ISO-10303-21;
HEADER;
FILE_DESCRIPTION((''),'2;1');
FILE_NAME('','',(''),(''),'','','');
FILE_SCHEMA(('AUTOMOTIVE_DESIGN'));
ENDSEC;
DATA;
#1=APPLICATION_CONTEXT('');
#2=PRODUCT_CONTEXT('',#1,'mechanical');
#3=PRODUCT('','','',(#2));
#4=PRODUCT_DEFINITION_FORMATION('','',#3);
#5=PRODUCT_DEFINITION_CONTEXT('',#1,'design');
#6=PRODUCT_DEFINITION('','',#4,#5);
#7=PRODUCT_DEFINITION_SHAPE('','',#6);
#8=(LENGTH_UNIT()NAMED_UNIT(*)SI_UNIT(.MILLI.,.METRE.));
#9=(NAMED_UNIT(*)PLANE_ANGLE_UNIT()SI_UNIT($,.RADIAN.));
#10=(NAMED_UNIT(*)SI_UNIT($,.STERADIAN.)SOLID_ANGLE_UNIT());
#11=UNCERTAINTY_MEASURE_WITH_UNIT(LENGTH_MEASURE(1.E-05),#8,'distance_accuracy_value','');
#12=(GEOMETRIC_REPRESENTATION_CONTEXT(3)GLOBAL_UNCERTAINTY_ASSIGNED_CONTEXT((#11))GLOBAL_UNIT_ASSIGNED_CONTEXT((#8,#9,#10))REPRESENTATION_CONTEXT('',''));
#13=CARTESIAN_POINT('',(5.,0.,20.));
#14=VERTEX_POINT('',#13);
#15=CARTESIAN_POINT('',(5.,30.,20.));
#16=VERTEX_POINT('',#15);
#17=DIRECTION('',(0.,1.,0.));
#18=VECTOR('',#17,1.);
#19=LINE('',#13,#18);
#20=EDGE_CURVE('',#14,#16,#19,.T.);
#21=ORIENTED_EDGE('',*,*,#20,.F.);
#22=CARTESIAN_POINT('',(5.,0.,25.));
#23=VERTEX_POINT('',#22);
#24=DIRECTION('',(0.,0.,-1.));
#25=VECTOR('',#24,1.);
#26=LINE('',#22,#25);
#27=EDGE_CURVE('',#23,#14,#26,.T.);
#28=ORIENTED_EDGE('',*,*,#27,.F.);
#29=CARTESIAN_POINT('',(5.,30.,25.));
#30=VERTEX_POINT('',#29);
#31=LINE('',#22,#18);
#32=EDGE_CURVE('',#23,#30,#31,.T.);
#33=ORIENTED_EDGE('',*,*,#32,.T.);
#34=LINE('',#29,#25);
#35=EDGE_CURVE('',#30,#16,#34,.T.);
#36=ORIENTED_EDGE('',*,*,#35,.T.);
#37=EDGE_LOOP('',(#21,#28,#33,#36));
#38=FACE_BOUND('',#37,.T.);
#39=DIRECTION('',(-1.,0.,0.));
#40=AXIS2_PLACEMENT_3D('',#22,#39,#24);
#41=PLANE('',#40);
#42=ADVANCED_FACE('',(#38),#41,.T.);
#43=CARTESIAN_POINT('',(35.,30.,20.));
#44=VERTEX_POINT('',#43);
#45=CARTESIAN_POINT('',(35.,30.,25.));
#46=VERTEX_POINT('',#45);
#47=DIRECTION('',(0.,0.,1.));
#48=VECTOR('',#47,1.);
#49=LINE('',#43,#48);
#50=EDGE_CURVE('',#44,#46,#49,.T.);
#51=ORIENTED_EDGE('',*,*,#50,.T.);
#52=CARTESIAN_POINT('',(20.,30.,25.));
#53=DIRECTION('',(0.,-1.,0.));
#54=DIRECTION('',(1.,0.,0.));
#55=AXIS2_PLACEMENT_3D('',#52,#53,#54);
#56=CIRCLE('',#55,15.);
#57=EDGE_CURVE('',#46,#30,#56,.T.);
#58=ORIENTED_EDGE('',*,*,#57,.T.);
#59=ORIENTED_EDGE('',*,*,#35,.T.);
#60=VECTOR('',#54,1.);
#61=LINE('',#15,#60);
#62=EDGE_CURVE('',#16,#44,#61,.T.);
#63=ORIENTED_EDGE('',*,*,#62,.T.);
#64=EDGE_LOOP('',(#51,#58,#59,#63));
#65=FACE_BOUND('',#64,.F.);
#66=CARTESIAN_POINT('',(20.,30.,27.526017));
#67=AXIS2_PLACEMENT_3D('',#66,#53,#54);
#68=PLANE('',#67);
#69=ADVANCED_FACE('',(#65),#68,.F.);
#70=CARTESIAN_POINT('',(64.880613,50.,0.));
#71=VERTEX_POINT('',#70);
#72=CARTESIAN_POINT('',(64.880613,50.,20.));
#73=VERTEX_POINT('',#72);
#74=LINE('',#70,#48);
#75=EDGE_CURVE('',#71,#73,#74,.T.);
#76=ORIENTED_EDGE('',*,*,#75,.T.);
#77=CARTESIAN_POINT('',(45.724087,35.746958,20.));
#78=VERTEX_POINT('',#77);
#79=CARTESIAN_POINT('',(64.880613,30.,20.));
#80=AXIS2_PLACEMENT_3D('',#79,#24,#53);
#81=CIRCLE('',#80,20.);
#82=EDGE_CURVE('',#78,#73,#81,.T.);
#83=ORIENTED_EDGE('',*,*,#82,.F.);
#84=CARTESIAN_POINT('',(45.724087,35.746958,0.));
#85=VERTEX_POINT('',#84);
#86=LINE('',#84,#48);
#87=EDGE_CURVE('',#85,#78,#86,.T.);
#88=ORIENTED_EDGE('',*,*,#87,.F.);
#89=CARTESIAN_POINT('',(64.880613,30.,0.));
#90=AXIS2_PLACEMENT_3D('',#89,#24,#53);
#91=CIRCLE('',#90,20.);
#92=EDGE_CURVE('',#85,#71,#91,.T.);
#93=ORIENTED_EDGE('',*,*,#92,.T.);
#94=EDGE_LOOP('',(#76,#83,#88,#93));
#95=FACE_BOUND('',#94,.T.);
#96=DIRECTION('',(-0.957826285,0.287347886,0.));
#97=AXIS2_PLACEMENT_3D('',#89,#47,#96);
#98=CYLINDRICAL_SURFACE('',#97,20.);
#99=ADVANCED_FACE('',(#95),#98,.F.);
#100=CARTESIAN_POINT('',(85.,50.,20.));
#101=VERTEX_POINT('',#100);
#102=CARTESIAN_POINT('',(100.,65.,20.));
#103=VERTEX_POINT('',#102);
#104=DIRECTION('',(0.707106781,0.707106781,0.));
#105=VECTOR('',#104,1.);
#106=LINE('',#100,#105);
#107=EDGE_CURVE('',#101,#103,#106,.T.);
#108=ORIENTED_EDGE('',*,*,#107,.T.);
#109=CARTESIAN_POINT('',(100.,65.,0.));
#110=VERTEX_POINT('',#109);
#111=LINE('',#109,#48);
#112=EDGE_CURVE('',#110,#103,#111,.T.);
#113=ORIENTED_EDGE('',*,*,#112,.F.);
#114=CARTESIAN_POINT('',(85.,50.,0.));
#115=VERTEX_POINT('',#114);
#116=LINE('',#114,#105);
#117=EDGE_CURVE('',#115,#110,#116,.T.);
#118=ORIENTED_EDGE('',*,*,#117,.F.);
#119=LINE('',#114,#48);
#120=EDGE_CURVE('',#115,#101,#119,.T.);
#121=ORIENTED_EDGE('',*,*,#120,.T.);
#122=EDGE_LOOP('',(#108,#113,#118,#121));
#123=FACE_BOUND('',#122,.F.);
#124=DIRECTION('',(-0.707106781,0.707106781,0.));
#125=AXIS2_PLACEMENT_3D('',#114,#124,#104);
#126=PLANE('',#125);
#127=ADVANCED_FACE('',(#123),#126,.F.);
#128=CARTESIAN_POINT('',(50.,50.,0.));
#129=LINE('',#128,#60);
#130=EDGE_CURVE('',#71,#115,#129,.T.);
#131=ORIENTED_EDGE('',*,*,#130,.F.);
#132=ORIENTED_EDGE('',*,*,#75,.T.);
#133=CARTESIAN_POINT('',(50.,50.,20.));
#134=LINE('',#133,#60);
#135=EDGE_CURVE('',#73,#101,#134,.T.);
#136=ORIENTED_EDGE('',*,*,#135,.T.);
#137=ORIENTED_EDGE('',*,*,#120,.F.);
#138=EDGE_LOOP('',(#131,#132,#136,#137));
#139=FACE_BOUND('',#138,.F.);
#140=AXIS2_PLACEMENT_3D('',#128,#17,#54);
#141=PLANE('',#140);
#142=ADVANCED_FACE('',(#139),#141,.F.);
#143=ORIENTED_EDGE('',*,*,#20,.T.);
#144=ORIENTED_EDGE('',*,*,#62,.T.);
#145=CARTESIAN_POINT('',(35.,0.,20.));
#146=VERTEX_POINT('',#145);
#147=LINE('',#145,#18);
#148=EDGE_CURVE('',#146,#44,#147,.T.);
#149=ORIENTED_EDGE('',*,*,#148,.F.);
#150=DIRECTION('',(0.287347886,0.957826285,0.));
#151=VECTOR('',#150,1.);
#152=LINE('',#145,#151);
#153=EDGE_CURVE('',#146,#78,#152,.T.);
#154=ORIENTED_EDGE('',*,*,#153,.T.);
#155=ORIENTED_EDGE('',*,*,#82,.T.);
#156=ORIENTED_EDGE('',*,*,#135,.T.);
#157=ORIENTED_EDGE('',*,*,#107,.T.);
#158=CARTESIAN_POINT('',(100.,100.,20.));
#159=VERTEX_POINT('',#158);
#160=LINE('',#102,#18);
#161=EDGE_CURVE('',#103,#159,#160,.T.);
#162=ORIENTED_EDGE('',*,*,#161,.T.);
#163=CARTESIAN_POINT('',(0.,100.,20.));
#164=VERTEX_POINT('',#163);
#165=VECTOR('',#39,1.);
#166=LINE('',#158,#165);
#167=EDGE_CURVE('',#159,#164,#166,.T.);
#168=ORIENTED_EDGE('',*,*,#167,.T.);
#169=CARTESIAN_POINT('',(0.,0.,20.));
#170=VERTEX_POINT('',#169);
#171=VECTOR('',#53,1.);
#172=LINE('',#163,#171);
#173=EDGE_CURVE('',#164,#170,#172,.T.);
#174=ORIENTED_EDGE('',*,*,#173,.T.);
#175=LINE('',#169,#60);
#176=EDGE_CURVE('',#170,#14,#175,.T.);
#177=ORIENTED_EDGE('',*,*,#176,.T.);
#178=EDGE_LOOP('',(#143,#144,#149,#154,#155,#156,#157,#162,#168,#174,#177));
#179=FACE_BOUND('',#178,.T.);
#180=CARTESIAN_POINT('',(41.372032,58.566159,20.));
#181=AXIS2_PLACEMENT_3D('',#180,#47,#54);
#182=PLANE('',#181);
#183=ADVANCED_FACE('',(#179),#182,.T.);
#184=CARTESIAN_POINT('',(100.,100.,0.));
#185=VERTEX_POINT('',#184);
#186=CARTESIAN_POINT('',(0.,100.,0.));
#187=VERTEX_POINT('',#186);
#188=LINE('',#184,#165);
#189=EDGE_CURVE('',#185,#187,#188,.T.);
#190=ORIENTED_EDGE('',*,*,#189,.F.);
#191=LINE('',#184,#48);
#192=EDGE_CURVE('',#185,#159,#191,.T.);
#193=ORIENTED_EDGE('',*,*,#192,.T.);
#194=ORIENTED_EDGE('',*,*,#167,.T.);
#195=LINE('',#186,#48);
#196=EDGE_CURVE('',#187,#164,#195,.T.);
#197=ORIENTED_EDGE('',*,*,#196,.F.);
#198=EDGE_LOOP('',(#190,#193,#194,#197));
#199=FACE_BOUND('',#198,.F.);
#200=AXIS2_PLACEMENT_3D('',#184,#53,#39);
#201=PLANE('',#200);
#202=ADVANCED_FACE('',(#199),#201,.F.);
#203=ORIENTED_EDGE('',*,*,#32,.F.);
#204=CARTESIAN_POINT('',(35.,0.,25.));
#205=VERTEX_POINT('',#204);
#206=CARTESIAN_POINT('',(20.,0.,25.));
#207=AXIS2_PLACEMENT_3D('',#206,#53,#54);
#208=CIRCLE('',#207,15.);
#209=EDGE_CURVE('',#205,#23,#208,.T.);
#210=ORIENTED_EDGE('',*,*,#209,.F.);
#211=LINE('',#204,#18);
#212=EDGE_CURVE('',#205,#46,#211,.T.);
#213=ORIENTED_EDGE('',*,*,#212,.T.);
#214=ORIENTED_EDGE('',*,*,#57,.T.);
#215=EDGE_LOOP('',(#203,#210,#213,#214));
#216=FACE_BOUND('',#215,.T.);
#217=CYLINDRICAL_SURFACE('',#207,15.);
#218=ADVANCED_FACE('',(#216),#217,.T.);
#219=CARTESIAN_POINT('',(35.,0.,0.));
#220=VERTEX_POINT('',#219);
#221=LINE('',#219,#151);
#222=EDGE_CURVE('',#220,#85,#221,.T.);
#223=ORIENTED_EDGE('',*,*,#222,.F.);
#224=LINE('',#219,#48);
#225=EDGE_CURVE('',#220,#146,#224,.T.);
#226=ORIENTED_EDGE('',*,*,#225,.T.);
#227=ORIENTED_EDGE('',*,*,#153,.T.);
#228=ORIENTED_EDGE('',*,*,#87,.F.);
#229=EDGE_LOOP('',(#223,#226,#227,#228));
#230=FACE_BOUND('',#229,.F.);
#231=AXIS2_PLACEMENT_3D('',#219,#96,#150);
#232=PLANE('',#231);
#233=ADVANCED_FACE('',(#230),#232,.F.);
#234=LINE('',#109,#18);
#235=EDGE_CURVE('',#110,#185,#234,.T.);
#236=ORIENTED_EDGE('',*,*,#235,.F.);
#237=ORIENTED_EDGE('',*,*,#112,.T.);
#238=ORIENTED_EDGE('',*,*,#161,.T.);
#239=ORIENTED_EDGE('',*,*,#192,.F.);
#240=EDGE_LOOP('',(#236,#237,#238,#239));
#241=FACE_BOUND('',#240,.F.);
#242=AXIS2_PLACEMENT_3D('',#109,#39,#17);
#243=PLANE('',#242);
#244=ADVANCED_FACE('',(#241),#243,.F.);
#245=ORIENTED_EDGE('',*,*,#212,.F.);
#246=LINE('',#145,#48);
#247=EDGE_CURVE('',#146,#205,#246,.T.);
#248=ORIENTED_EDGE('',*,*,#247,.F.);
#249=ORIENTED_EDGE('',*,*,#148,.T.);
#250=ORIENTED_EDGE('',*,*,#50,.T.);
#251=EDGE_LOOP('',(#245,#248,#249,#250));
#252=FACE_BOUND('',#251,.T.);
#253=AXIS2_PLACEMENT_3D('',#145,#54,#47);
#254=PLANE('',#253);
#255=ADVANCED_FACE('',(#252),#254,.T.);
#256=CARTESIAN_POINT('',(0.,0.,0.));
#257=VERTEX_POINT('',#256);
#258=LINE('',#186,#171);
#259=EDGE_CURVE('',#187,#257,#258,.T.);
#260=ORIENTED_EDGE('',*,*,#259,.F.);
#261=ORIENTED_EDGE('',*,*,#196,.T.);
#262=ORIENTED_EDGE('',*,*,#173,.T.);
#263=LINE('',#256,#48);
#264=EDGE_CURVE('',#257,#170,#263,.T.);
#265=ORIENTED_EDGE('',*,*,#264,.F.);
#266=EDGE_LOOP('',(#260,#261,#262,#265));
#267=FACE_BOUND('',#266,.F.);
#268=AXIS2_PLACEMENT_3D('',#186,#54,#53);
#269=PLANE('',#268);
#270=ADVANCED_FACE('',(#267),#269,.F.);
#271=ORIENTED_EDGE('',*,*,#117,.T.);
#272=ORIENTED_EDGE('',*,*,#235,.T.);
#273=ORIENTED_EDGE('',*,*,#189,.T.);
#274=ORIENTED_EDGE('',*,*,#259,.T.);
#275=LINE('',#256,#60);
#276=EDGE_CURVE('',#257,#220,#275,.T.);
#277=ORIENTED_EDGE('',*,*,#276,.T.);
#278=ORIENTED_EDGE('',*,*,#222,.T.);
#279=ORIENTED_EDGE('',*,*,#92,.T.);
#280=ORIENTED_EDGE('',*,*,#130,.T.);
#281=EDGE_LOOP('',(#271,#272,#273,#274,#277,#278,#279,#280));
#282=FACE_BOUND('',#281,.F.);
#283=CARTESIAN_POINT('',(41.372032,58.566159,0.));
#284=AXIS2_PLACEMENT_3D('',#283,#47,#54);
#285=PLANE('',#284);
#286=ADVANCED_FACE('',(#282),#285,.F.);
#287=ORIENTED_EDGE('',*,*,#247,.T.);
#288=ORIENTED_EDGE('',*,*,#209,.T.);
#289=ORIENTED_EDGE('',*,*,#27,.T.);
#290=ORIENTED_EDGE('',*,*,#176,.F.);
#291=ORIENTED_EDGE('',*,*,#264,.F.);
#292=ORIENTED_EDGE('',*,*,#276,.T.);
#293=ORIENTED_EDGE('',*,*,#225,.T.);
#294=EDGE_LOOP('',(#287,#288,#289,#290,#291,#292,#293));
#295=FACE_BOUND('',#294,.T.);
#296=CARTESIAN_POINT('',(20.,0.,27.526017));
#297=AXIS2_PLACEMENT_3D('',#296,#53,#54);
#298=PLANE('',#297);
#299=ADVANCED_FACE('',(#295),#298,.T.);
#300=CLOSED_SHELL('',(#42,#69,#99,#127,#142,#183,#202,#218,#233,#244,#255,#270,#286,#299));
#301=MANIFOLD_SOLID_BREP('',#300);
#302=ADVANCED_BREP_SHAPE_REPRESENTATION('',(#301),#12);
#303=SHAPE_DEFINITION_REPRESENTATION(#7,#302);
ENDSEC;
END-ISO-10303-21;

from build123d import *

# Parameters (mm, degrees)
F1_DEPTH = 20
F2_R     = 20
F4_DEPTH = 30


with BuildPart() as f1:
    # F0 (on Top) → F1 (new body)
    with BuildSketch(Plane.XY):
        Polygon((0, 100), (0, 0), (35, 0), (50, 50), (85, 50), (100, 65), (100, 100), align=None)
    extrude(amount=F1_DEPTH)

    # F2
    f2_edges = [f1.edges().sort_by_distance(p)[0] for p in [
        (50, 50, 10),
    ]]
    fillet(f2_edges, radius=F2_R)

    # F3 (on face) → F4 (join)
    with BuildSketch(Plane.XZ):
        with BuildLine():
            Line((35, 20), (35, 25))
            ThreePointArc((35, 25), (20, 40), (5, 25))
            Line((5, 25), (5, 20))
            Line((5, 20), (35, 20))
        make_face()
    extrude(amount=-F4_DEPTH)


solid = f1.part
